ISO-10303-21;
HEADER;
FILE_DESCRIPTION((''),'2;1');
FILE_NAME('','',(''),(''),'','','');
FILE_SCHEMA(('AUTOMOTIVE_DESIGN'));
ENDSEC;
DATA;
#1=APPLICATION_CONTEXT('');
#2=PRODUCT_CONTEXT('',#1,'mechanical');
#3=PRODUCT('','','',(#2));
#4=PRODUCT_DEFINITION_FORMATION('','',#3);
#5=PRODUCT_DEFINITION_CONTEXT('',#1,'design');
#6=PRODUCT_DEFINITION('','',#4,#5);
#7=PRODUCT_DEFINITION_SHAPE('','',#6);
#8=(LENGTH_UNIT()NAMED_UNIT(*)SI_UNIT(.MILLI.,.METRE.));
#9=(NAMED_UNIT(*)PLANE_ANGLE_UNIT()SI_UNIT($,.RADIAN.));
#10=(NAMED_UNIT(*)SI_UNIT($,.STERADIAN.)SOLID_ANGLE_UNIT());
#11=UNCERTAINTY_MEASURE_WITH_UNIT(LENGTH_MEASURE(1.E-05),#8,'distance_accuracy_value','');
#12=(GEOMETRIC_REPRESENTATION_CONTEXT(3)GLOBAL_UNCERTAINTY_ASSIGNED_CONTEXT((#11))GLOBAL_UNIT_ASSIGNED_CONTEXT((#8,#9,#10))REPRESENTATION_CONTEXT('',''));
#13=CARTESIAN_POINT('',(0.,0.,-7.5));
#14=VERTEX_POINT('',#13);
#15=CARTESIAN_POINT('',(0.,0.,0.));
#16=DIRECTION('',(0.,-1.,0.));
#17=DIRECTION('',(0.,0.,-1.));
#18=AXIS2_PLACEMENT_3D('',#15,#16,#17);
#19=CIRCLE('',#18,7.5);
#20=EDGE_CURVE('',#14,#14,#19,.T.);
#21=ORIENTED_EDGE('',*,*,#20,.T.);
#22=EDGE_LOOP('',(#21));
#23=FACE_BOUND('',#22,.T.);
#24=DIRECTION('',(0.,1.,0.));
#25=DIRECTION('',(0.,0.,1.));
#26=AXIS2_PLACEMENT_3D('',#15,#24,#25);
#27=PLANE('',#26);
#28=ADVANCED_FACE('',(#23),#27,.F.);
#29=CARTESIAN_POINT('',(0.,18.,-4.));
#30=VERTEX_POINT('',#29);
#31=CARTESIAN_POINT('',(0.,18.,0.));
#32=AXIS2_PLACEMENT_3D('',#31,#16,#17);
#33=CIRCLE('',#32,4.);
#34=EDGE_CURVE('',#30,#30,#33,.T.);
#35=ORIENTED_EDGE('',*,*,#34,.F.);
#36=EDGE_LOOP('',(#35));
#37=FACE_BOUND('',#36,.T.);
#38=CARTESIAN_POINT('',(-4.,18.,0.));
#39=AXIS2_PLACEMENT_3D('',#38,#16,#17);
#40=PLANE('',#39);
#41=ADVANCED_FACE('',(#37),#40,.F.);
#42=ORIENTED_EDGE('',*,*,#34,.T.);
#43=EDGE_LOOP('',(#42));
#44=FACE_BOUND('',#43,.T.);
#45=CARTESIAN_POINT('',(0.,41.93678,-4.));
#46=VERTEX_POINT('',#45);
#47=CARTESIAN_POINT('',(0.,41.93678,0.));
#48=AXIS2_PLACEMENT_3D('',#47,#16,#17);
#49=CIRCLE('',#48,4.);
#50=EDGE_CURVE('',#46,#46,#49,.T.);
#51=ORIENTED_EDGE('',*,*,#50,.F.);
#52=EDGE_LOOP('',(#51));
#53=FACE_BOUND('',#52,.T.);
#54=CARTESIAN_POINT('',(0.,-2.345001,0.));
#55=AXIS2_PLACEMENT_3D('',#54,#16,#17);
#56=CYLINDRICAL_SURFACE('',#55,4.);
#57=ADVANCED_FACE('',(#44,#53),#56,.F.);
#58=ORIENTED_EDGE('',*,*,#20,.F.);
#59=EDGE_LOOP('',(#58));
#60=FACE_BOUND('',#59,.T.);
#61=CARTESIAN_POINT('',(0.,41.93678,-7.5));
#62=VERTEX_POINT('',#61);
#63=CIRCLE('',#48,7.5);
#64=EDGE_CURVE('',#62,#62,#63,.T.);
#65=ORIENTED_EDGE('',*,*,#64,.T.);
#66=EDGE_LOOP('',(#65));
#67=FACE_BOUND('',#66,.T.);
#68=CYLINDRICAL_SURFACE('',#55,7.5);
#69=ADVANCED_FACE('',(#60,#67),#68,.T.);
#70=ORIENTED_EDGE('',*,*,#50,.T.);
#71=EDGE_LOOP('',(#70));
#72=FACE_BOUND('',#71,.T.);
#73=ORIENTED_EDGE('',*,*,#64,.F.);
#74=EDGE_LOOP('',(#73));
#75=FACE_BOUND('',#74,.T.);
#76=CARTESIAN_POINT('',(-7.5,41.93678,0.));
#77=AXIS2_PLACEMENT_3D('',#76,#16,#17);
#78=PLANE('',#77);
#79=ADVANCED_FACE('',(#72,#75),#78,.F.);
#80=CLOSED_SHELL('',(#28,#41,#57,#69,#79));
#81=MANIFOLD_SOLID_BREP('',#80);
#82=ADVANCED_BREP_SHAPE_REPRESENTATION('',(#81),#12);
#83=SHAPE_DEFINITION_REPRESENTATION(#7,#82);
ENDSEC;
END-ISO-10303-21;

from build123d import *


with BuildPart() as part:
    # Эскиз1 → Повернуть1 (revolve)
    with BuildSketch(Plane.XY):
        Polygon((0, 0), (-7.5, 0), (-7.5, 41.936780211), (-4, 41.936780211), (-4, 18), (0, 18), align=None)
    revolve(axis=Axis((0, -2.345001298, 0), (0, 1, 0)))


solid = part.part
